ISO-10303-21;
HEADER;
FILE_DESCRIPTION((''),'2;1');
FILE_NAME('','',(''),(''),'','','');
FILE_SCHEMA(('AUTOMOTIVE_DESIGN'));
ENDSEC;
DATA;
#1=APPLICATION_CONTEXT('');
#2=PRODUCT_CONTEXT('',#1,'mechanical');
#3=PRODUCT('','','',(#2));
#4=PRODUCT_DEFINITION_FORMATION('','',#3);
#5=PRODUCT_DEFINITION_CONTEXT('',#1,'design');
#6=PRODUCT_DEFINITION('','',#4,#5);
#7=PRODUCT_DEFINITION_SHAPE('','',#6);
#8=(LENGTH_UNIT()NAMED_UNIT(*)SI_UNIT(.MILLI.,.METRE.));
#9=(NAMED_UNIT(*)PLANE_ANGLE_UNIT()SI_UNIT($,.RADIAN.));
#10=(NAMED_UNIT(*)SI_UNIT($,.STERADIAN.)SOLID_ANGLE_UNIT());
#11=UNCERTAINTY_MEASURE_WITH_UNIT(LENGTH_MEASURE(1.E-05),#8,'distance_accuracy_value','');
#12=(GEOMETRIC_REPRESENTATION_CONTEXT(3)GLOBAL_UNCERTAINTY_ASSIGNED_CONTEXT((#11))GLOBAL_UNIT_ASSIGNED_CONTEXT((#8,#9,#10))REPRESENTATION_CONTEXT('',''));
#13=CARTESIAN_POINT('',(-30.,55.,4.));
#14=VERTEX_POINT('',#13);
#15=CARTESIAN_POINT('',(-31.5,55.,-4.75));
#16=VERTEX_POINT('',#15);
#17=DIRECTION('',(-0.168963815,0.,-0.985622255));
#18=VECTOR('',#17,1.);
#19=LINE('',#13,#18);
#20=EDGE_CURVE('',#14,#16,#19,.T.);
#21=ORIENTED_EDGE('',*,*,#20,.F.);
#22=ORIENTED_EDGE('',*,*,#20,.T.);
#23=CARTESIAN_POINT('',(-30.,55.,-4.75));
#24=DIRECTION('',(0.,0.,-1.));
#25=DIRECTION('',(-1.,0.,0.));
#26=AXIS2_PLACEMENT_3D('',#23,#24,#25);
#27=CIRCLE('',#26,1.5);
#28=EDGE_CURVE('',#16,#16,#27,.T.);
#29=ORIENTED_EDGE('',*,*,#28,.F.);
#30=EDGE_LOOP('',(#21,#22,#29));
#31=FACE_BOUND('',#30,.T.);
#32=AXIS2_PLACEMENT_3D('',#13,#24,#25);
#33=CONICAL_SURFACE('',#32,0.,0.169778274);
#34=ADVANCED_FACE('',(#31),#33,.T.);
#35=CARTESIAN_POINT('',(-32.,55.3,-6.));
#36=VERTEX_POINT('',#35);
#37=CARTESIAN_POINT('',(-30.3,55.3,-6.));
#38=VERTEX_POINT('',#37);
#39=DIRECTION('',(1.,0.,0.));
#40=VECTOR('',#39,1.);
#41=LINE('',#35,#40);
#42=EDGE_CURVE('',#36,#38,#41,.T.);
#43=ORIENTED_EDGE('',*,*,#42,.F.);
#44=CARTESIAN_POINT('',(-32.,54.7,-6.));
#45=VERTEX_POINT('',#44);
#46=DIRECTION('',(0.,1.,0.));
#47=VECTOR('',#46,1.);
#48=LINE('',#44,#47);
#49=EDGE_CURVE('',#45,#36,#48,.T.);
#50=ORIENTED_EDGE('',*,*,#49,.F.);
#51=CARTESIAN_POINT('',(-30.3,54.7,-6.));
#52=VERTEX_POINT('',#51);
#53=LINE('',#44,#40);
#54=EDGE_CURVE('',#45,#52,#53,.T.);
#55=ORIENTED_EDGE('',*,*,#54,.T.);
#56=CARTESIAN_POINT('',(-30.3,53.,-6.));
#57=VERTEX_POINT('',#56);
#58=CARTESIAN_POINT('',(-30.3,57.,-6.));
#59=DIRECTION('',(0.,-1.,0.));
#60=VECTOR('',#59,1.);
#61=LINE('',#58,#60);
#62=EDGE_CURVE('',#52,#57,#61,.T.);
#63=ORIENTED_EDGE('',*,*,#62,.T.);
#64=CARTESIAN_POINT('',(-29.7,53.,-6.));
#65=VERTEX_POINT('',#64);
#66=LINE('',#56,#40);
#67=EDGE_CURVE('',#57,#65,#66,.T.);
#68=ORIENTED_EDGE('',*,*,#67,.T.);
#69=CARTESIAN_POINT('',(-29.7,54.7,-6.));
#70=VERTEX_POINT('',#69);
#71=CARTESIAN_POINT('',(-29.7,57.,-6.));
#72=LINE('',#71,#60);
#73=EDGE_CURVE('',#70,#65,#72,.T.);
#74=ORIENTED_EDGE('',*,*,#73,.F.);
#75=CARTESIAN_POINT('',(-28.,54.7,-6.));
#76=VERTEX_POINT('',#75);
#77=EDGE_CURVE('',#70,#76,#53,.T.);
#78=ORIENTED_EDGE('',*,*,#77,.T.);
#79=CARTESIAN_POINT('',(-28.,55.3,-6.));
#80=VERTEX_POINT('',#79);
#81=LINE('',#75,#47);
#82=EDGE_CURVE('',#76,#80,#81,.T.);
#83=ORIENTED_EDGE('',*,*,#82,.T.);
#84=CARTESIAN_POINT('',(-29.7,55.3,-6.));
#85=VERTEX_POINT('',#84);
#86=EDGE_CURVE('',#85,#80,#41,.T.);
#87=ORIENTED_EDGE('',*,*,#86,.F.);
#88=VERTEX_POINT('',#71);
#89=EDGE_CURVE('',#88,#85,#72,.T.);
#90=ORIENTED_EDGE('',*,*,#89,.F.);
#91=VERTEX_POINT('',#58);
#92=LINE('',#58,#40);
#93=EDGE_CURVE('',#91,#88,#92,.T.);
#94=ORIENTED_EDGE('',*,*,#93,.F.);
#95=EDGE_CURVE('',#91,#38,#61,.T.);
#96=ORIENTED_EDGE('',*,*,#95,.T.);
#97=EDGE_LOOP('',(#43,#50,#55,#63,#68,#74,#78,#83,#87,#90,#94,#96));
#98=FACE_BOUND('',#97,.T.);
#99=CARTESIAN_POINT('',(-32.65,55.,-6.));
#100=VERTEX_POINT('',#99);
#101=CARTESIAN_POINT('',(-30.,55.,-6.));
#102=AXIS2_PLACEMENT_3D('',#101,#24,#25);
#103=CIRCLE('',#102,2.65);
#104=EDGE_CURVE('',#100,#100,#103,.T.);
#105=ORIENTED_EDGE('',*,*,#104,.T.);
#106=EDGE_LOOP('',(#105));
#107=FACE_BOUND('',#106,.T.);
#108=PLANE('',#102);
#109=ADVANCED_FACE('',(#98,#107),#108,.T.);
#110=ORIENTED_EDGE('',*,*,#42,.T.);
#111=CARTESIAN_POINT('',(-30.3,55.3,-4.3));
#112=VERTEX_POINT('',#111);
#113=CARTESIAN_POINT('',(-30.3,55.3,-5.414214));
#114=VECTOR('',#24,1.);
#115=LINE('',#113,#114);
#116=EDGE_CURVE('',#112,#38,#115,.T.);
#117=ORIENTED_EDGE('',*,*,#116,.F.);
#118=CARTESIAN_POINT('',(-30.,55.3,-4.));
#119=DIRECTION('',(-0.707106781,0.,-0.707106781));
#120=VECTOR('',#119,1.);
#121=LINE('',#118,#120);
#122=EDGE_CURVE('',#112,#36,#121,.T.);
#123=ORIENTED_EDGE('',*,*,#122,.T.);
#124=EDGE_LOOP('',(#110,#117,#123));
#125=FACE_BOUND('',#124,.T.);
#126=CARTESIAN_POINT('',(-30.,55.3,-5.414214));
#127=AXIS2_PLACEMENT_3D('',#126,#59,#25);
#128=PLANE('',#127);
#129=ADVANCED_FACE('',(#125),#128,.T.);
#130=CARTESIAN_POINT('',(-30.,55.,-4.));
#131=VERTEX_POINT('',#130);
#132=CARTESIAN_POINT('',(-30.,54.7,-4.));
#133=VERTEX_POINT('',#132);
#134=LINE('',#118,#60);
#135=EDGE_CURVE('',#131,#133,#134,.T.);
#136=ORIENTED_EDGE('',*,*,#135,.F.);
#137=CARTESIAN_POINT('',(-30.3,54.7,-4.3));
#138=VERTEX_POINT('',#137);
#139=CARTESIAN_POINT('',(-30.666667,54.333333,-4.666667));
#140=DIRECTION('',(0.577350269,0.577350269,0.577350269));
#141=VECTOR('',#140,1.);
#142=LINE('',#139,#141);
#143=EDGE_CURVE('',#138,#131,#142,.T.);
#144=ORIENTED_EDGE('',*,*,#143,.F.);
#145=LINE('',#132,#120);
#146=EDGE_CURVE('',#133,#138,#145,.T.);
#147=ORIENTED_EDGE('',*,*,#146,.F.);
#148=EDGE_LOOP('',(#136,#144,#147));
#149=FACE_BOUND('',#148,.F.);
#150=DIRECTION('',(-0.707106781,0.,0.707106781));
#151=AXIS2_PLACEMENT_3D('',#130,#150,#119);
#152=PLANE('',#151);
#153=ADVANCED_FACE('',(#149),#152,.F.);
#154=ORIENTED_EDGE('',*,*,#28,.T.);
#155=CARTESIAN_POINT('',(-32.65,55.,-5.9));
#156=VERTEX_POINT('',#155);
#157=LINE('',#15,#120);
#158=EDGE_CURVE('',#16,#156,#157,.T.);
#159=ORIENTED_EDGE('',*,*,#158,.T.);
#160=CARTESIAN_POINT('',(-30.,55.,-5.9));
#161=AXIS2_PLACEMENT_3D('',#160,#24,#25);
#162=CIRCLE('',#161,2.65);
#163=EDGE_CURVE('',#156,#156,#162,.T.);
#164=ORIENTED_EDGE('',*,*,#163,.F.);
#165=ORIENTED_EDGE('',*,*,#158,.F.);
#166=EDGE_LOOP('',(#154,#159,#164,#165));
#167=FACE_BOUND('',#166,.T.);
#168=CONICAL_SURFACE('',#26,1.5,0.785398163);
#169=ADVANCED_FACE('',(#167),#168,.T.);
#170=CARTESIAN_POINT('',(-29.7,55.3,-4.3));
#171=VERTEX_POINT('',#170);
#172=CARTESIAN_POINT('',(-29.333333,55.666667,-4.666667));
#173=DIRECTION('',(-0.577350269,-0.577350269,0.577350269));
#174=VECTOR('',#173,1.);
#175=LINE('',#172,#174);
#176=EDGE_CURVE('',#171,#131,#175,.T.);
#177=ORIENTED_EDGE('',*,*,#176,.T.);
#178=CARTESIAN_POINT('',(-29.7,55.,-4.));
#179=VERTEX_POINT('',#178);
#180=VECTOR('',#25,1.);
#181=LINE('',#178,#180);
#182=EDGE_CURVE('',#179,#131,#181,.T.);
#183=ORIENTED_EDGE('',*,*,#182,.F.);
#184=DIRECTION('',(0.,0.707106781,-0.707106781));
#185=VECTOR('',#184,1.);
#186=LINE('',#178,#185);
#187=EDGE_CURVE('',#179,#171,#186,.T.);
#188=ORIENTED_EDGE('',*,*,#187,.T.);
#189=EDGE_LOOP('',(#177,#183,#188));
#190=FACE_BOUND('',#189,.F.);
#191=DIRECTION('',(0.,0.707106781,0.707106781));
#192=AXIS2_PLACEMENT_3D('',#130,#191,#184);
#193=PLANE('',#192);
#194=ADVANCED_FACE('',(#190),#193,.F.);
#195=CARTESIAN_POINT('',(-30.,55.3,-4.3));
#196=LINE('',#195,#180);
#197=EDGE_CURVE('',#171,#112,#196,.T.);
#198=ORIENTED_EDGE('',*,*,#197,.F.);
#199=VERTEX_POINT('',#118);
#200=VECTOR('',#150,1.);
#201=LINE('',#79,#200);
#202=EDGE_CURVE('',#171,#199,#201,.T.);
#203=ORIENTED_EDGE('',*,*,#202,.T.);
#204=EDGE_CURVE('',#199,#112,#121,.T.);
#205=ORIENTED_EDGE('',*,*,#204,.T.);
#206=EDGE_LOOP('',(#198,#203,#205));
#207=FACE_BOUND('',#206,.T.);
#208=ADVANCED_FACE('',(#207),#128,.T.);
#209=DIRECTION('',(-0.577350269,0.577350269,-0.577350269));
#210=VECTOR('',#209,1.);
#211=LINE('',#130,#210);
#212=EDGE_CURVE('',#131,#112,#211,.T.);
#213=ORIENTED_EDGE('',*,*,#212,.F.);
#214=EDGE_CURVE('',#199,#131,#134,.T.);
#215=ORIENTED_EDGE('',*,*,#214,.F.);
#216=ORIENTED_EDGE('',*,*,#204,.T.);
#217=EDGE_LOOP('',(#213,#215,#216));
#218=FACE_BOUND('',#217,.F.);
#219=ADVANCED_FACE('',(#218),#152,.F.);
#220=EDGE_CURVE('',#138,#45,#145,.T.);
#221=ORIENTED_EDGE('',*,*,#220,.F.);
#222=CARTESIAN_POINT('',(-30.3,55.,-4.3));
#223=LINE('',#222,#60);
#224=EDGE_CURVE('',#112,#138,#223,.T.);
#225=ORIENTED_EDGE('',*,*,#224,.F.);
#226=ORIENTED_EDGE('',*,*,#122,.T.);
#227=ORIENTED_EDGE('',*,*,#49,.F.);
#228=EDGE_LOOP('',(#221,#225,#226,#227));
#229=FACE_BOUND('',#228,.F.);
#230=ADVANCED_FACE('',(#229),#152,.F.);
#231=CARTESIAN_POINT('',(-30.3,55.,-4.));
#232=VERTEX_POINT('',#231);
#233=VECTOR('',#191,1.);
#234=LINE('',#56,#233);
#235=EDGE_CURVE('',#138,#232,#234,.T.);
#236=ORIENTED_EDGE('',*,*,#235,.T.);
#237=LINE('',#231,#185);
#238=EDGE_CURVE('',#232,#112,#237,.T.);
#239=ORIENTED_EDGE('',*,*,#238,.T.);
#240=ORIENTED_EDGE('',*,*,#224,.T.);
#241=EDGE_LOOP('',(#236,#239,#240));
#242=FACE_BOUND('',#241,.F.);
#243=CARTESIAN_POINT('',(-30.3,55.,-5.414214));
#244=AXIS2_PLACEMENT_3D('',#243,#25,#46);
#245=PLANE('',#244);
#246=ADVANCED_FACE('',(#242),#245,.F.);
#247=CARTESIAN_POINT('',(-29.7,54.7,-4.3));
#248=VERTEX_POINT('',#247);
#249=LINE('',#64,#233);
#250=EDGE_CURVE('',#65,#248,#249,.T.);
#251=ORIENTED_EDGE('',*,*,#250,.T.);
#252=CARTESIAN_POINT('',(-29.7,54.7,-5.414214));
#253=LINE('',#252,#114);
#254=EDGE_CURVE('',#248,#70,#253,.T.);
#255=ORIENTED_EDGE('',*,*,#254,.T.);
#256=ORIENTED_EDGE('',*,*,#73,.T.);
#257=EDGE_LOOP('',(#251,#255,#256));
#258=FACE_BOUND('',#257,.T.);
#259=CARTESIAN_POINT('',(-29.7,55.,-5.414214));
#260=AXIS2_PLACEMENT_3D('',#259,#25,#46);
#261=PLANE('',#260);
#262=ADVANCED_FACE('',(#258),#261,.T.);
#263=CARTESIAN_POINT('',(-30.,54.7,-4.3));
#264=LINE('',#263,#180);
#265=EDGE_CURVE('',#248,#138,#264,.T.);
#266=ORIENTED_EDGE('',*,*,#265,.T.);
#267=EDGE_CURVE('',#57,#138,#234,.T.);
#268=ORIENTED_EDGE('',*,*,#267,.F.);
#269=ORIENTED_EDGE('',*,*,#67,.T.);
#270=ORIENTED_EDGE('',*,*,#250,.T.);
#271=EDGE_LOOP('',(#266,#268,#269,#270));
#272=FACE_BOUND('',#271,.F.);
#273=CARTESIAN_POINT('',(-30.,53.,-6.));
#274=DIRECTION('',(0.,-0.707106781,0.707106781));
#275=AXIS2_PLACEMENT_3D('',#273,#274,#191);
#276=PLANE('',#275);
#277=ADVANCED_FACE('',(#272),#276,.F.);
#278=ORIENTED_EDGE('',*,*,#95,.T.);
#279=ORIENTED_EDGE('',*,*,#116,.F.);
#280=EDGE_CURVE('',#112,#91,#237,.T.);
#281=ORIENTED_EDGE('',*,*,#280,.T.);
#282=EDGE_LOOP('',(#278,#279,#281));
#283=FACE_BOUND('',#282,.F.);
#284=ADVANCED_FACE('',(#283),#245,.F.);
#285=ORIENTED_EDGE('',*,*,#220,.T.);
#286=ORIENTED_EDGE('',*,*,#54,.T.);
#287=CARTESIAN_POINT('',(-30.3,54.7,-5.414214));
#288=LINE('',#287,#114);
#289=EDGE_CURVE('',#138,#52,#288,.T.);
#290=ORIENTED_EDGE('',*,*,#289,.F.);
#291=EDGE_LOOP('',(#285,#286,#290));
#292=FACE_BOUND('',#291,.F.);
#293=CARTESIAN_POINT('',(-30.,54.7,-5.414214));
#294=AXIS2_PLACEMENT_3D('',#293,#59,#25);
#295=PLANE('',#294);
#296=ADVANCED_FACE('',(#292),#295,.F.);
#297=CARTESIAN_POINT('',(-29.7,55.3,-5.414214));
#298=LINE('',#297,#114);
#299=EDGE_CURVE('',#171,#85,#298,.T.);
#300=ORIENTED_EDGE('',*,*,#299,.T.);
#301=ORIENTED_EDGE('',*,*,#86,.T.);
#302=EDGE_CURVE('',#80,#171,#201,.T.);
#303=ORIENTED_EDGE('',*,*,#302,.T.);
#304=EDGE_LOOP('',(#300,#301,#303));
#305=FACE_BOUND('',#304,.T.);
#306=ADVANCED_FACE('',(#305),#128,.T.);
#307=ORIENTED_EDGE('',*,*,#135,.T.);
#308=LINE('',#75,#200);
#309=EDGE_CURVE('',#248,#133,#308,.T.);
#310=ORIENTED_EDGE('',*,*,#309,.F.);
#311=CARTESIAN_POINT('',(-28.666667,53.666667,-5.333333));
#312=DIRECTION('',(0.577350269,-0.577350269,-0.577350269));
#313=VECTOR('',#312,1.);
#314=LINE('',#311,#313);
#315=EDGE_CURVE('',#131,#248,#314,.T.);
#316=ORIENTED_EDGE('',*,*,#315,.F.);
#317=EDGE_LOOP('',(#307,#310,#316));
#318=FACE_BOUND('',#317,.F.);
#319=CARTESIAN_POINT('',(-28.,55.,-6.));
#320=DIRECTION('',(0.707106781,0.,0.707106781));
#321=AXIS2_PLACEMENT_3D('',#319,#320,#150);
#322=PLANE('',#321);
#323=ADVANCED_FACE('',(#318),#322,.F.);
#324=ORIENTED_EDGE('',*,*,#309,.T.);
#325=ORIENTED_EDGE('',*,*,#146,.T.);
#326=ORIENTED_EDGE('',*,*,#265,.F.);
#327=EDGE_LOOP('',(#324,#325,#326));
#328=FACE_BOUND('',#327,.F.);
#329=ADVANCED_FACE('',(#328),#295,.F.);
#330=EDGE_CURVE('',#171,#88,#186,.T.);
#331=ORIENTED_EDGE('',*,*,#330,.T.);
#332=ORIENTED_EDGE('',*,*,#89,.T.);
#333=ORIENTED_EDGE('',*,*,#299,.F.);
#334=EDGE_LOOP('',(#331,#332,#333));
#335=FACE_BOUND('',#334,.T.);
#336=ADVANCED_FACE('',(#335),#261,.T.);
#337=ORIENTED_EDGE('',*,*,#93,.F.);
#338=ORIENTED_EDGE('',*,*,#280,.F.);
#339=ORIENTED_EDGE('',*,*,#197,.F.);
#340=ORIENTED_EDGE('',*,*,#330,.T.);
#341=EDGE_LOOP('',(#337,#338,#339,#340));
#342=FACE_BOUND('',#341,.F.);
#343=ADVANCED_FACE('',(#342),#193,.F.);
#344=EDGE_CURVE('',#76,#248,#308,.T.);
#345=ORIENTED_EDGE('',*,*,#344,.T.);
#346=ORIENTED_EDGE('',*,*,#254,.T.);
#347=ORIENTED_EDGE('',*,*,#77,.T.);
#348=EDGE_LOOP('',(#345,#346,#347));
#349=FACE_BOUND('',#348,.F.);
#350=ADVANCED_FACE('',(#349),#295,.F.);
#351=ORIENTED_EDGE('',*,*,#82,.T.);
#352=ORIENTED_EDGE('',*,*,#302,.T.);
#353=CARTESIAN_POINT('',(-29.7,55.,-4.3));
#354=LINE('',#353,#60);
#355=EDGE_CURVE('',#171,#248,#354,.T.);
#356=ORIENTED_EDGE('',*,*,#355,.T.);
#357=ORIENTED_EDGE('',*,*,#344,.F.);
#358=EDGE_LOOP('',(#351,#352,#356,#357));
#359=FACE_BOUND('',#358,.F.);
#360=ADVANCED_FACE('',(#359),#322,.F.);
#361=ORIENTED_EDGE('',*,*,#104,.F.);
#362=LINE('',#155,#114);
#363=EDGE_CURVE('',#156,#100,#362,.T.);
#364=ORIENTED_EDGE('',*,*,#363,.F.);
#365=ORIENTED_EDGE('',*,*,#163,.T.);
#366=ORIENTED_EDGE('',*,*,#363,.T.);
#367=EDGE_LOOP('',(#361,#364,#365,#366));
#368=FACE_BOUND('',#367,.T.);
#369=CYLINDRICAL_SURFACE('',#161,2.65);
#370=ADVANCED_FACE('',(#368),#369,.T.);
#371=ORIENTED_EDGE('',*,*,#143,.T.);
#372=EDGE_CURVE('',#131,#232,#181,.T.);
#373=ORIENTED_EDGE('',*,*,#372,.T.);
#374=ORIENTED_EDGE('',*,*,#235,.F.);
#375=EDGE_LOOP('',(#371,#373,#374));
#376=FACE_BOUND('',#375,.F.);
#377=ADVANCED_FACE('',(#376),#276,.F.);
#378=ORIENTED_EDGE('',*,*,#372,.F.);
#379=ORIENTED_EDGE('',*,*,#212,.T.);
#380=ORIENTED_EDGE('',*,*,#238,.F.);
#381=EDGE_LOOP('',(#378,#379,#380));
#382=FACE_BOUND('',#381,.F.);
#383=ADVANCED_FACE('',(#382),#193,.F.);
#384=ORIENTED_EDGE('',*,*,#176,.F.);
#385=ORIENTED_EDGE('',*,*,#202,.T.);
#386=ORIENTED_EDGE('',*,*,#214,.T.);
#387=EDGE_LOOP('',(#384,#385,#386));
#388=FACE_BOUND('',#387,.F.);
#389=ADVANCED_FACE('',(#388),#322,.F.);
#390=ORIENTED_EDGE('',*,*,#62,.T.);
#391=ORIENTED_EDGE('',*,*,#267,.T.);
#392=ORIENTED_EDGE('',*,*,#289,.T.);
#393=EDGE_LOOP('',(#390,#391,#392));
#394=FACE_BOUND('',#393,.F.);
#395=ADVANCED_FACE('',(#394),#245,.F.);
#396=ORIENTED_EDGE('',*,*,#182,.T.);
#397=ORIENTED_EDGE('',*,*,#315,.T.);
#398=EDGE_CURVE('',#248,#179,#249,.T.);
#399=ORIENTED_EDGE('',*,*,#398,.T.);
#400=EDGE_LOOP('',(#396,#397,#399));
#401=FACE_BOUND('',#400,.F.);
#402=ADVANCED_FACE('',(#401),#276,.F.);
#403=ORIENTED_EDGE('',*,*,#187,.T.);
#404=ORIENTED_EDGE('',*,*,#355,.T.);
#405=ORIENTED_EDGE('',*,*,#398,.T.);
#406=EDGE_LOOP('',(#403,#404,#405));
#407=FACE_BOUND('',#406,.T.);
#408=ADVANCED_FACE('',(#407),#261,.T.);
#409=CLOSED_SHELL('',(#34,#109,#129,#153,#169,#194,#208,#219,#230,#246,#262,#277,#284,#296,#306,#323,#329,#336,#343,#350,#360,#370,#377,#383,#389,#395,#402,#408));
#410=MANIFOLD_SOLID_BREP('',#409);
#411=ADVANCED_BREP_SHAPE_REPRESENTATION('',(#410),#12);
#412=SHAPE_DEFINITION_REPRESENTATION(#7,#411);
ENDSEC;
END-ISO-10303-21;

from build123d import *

# Parameters (mm, degrees)
POCKET005_DEPTH         = 0.3
POLARPATTERN001_COUNT   = 2
POLARPATTERN001_ANGLE   = 90
BODY015_PLACEMENT_ANGLE = 180


with BuildPart() as part:
    # Sketch028 → Revolution001 (revolve)
    with BuildSketch(Plane.XZ):
        Polygon((0, 0), (0, -10), (1.5, -1.25), (2.65, -0.1), (2.65, 0), align=None)
    revolve(axis=Axis((0, 0, 0), (0, 0, 1)))

    # Sketch029 → Pocket005 (cut, symmetric)
    with BuildSketch(Plane.XZ):
        Polygon((-2, 0), (0, -2), (2, 0), align=None)
    pocket005 = extrude(amount=POCKET005_DEPTH, both=True, mode=Mode.SUBTRACT)

    # PolarPattern001: Pocket005 ×2 about axis
    polarpattern001_axis = Axis((0, 0, 0), (0, 0, 1))
    for i in range(1, POLARPATTERN001_COUNT):
        add(pocket005.rotate(polarpattern001_axis, i * POLARPATTERN001_ANGLE / (POLARPATTERN001_COUNT - 1)), mode=Mode.SUBTRACT)


with BuildPart() as part_1:
    # Body015 placement: moved
    add(part.part.moved(Location((-30, 55, -6))).rotate(Axis((-30, 55, -6), (0, 1, 0)), BODY015_PLACEMENT_ANGLE))


solid = part_1.part
